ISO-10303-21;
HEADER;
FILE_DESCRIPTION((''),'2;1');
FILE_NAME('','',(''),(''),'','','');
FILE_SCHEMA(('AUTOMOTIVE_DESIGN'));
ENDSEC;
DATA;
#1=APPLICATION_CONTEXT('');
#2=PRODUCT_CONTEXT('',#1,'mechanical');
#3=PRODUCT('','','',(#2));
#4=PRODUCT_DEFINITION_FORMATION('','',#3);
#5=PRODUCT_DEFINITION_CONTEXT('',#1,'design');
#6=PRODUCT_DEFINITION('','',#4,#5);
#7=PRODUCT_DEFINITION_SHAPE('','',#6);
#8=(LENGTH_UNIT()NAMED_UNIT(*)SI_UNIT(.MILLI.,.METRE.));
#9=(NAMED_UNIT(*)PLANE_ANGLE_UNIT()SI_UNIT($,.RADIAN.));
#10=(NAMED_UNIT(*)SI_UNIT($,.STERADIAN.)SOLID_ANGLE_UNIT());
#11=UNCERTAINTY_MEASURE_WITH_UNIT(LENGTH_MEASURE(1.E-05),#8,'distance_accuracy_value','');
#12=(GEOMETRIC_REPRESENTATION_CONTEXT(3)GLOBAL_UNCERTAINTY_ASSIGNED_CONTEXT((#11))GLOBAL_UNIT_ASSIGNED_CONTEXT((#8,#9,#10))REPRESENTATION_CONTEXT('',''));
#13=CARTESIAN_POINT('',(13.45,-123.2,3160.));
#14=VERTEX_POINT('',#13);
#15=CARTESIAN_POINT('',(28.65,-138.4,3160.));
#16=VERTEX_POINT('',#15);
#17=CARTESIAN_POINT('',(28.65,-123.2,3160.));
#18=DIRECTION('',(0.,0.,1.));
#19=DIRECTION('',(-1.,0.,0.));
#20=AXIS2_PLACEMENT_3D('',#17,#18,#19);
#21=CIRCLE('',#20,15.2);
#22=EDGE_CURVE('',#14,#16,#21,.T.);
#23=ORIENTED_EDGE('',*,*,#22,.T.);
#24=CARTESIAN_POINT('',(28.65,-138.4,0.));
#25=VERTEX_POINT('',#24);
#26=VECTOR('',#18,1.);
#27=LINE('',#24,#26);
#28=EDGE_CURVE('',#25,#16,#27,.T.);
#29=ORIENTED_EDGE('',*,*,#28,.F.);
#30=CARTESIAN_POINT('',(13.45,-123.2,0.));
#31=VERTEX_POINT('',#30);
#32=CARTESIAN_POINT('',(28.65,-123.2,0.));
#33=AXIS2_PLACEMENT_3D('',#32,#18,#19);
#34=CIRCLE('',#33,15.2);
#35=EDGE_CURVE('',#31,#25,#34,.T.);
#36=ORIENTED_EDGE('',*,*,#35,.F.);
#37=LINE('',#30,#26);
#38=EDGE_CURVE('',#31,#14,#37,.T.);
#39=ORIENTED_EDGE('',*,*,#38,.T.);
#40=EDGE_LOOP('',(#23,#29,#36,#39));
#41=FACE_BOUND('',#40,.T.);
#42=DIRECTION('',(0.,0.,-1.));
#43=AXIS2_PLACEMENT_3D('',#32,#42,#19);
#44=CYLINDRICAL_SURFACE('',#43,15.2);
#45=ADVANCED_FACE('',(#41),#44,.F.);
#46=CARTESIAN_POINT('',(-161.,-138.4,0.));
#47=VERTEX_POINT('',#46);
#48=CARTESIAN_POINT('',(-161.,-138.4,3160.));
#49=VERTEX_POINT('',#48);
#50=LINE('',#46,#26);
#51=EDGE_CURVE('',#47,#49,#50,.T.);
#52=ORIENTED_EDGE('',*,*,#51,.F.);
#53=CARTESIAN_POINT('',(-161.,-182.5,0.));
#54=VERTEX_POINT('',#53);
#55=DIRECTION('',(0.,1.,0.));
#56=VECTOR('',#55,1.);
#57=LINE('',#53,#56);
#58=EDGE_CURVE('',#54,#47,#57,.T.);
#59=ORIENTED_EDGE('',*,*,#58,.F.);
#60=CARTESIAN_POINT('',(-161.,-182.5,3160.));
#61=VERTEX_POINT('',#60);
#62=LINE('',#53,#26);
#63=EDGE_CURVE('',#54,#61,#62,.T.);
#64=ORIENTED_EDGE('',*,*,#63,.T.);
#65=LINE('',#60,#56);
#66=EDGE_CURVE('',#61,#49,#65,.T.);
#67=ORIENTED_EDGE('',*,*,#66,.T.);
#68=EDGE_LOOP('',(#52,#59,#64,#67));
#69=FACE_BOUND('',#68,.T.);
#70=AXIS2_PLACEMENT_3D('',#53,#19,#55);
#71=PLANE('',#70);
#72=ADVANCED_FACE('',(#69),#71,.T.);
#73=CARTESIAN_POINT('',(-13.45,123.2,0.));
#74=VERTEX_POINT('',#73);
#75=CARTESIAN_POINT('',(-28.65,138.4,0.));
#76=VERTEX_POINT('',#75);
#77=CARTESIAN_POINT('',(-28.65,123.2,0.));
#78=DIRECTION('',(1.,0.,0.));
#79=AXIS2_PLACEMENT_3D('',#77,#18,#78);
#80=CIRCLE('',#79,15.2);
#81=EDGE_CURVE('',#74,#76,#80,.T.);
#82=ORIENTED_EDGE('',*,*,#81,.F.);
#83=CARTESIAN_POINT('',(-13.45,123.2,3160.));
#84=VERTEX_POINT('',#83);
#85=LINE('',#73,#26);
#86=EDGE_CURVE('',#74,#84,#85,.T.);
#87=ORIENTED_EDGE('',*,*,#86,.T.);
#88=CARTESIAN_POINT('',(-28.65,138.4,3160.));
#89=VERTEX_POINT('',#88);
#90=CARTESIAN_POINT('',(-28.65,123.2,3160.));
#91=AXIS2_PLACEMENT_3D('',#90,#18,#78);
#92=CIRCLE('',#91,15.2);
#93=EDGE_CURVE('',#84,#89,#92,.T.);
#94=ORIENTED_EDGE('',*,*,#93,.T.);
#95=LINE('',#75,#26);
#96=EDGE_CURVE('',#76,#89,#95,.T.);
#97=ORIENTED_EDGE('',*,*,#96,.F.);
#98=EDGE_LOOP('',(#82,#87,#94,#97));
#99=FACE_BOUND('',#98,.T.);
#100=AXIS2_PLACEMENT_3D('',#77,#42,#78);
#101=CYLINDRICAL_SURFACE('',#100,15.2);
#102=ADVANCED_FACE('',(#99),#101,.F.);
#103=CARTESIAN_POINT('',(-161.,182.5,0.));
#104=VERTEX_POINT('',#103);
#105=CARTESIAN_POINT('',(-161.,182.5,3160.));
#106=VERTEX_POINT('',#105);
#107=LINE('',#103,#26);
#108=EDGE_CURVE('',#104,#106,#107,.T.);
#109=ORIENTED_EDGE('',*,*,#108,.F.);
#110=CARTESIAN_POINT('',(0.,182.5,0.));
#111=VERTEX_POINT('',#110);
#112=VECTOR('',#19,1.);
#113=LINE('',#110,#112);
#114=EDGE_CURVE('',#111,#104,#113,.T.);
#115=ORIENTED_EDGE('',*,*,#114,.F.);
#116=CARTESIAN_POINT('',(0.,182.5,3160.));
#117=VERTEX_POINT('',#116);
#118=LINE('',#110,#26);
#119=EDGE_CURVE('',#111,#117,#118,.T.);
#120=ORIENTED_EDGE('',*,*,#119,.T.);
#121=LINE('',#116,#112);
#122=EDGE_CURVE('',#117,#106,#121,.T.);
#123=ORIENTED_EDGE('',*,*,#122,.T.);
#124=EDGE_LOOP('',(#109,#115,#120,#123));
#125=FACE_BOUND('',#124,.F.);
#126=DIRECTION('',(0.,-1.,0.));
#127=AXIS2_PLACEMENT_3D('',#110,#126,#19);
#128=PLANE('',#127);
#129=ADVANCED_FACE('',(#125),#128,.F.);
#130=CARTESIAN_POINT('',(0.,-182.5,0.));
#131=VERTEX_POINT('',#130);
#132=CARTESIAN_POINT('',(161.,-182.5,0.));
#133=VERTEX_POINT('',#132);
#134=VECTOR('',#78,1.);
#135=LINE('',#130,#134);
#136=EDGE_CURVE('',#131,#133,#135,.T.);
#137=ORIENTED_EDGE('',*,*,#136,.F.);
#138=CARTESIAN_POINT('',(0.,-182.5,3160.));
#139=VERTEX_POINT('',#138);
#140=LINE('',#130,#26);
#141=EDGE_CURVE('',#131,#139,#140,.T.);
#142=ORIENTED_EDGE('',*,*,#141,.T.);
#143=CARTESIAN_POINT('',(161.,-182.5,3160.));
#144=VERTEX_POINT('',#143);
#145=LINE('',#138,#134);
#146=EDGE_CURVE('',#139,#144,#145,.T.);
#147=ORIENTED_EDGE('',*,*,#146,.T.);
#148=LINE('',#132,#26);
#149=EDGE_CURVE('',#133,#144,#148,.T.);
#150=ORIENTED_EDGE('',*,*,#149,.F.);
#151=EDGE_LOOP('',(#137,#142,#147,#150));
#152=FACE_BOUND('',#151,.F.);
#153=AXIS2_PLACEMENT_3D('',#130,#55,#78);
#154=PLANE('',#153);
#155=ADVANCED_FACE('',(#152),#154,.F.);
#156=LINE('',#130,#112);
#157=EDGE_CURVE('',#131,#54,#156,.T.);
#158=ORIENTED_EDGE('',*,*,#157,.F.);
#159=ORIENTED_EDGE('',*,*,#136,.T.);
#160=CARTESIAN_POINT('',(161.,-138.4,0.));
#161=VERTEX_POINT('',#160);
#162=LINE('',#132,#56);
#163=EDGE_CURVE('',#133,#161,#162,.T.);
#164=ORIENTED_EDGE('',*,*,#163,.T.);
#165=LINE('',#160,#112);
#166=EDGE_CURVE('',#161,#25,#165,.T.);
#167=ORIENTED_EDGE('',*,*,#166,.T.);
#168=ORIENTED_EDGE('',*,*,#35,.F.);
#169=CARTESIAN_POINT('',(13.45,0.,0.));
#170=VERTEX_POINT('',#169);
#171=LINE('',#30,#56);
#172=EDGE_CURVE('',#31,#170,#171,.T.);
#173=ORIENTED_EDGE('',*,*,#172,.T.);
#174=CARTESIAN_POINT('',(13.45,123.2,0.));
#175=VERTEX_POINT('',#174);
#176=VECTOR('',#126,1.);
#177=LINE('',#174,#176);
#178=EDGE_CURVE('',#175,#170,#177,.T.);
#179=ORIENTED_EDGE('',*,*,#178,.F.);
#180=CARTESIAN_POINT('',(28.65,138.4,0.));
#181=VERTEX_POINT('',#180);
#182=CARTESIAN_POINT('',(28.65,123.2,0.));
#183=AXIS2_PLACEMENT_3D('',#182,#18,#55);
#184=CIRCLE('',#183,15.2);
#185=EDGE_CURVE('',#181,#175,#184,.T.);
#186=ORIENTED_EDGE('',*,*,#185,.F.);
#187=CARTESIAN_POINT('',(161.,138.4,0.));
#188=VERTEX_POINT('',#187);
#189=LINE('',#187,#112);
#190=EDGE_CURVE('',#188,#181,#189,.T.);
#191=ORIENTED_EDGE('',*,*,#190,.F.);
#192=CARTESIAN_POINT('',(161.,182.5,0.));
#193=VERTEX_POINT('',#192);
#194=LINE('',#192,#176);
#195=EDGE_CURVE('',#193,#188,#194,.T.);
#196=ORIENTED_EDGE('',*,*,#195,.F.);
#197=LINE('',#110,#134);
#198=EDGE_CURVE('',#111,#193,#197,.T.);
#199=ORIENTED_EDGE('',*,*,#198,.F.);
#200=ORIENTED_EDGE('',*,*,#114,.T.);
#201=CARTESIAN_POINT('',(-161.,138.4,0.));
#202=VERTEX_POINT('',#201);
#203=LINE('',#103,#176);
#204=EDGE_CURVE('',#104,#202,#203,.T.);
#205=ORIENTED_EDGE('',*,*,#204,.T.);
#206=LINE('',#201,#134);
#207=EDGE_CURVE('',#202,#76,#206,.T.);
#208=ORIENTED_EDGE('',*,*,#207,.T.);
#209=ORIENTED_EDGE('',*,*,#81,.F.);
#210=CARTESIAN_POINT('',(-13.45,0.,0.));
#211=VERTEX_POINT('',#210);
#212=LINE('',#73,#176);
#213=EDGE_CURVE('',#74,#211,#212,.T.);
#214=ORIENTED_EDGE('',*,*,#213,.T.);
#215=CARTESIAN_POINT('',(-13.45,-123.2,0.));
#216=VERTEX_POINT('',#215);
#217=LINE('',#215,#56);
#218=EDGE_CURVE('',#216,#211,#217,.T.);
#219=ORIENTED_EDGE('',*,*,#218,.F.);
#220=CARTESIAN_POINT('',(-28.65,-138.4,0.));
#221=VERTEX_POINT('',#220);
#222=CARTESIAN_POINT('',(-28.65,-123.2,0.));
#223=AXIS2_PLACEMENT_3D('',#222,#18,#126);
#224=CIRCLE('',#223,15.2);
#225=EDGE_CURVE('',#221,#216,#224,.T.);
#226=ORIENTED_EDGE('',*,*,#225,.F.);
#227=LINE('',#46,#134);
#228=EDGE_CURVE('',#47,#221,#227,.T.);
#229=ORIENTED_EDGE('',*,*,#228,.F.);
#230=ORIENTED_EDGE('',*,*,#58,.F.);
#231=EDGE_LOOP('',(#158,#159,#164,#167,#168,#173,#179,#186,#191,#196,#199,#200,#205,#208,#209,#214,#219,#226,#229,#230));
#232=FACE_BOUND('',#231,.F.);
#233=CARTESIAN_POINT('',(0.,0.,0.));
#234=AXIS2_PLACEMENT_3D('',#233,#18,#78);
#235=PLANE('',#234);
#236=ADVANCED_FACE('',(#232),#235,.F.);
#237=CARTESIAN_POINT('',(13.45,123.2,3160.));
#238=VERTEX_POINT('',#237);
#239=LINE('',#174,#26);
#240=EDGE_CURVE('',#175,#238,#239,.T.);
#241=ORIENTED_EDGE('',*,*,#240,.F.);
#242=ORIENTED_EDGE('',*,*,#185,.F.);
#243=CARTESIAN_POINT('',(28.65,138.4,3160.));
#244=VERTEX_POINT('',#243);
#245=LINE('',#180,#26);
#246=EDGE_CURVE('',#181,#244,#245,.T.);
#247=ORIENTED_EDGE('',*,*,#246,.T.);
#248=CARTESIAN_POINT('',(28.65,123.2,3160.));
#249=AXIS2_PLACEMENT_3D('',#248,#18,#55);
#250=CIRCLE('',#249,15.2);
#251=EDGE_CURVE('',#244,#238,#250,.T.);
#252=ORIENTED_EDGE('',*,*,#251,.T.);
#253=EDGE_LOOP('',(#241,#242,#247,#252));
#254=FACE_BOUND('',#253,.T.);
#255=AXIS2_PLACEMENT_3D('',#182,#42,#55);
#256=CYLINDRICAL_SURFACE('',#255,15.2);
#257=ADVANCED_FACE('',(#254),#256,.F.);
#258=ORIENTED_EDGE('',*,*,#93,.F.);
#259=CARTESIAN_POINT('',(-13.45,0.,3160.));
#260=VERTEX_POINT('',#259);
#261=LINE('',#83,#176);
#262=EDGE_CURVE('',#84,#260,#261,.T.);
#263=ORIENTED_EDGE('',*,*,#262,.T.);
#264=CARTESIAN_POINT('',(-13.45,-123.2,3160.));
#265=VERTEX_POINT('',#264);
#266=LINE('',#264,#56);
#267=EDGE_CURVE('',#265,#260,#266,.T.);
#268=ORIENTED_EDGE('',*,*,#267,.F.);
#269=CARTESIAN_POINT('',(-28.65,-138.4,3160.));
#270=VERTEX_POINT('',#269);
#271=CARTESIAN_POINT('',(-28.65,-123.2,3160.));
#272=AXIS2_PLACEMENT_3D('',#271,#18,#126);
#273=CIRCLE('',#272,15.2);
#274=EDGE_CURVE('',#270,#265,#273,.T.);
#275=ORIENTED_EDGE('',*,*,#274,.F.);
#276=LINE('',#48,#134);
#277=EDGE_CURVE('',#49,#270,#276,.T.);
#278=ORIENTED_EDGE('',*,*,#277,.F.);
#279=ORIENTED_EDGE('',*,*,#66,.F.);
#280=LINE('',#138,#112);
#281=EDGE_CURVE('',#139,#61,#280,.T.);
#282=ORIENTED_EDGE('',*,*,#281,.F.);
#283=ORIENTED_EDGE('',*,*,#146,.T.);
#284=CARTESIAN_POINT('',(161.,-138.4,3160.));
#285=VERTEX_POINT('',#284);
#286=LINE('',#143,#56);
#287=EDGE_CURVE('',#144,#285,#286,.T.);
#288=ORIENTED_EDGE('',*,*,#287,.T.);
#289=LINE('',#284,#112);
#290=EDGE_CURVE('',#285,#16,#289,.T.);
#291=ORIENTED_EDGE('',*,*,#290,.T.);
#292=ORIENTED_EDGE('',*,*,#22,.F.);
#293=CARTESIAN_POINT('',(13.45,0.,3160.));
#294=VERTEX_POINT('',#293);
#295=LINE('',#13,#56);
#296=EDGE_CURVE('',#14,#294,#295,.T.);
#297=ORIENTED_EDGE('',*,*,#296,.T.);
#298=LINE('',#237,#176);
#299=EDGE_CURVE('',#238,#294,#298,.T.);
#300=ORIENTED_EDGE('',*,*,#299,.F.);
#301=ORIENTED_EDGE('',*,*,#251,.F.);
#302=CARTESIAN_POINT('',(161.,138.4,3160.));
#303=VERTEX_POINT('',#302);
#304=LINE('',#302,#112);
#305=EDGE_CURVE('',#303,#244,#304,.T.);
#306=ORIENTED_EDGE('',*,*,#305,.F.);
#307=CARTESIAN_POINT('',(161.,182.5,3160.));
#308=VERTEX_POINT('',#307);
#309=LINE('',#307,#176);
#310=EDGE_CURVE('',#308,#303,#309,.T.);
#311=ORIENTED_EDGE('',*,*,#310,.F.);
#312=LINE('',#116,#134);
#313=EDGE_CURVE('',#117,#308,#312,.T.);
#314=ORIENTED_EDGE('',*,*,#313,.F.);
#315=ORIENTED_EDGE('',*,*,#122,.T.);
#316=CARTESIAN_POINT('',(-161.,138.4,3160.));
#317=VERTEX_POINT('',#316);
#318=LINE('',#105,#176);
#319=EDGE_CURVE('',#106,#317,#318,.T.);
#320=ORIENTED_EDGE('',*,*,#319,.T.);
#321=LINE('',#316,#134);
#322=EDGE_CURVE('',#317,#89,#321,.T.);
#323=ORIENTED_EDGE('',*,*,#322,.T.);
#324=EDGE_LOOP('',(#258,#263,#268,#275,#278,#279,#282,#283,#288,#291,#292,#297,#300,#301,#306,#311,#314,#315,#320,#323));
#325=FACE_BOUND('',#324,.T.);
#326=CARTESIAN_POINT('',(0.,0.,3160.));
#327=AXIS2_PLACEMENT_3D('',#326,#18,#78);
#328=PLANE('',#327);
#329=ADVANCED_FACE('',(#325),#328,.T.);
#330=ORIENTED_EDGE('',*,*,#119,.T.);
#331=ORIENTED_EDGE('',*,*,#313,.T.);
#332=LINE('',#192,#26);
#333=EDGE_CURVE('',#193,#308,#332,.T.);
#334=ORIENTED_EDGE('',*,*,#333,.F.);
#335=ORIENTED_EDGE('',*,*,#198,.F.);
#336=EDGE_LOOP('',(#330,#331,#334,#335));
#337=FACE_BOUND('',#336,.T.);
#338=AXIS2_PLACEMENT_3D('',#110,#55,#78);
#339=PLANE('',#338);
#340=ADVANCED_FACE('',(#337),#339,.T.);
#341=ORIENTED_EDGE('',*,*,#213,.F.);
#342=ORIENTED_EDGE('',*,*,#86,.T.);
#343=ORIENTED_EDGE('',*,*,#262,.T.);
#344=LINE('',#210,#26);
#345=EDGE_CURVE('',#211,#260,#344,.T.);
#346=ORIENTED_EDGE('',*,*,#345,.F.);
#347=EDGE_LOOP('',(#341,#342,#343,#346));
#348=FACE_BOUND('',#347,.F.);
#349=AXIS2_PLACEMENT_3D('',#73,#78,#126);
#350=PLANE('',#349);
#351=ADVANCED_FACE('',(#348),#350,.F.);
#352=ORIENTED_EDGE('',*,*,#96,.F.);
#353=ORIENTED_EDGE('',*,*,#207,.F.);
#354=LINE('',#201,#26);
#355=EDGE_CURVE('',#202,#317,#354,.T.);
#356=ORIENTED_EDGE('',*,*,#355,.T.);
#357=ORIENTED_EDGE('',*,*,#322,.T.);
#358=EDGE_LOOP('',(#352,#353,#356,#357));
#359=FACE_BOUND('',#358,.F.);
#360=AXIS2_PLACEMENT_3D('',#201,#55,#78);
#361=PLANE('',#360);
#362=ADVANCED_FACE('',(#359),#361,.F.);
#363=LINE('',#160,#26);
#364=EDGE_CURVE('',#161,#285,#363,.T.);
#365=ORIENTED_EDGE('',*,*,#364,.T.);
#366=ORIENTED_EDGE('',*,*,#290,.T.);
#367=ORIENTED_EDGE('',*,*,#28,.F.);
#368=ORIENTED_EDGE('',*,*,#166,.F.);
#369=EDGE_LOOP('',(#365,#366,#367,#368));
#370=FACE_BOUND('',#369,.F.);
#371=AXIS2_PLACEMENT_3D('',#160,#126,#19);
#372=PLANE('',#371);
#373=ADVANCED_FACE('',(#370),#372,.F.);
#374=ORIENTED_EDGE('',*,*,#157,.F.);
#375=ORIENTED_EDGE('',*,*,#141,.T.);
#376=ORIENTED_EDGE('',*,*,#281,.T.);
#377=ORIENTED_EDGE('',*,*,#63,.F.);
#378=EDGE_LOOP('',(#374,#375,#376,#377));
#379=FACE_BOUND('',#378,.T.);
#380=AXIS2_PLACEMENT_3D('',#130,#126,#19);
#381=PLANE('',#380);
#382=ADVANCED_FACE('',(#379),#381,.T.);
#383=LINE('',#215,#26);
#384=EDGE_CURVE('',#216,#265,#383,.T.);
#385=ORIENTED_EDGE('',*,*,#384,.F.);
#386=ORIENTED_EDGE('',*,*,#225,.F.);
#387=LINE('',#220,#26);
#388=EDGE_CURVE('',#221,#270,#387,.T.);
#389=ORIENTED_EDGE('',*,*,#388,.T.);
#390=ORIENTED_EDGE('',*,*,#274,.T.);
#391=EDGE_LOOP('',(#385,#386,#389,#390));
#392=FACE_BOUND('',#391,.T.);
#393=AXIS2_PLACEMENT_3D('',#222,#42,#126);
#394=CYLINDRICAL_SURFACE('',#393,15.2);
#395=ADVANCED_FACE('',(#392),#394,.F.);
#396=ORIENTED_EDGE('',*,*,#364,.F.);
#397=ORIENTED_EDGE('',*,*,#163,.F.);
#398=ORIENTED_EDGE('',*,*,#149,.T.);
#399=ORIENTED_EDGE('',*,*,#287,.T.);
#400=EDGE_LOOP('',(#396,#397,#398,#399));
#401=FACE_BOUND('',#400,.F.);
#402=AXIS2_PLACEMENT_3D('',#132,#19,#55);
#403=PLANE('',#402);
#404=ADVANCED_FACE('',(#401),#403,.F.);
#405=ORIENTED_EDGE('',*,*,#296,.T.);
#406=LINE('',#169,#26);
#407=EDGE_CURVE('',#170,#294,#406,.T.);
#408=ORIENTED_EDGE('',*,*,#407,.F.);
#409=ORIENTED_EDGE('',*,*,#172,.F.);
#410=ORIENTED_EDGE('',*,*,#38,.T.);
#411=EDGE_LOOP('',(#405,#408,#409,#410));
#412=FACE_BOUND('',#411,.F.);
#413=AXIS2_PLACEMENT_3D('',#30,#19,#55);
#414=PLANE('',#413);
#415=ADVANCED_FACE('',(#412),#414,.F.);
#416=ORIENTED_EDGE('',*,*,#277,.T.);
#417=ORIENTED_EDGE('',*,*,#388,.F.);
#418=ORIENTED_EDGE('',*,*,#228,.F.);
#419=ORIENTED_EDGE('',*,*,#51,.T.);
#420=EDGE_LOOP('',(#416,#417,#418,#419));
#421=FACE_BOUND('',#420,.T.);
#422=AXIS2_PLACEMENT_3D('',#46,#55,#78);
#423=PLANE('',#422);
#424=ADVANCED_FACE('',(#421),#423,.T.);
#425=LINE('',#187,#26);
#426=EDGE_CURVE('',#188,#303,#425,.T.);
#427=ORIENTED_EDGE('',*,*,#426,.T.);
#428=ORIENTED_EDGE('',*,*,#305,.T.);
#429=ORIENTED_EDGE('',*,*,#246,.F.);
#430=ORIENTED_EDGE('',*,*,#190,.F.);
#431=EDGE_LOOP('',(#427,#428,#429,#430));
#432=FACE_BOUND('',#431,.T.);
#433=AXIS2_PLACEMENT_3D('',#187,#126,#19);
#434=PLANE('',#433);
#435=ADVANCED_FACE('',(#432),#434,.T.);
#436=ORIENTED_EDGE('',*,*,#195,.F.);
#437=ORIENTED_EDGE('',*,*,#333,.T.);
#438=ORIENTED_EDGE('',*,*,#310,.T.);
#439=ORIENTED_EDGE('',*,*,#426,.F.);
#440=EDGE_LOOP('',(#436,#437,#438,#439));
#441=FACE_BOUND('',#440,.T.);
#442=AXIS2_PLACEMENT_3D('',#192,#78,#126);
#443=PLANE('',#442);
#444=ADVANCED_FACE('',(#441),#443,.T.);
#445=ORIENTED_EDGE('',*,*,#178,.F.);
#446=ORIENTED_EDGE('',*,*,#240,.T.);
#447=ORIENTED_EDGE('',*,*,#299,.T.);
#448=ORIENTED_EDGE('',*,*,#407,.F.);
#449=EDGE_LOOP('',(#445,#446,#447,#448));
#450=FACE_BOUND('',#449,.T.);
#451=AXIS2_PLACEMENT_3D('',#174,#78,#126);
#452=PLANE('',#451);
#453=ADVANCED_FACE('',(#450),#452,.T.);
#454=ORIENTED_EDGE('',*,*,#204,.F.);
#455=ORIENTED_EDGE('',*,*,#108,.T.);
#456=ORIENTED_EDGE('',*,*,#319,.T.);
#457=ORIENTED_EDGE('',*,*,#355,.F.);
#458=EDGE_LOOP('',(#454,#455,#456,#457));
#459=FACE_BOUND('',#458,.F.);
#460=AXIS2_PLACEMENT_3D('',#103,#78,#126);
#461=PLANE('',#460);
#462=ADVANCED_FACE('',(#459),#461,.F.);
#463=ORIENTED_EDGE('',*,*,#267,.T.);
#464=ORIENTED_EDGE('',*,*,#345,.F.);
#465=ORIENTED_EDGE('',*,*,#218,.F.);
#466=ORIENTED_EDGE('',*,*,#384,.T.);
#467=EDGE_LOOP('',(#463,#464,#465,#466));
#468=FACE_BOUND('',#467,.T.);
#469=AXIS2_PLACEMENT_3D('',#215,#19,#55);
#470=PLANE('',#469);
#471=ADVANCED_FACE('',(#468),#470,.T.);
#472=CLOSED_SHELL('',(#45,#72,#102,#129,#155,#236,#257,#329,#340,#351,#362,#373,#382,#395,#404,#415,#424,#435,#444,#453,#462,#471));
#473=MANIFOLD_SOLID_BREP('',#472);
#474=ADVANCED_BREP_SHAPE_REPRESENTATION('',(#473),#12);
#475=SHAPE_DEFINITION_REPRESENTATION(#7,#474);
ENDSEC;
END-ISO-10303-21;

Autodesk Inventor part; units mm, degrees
ref_plane "YZ Plane" through (0, 0, 0) normal (1, 0, 0) x (0, 1, 0)
ref_plane "Start plane" through (0, 0, 0) normal (0, 0, 1) x (1, 0, 0)
ref_plane "End plane" through (0, 0, 3160) normal (0, 0, 1) x (1, 0, 0)
sketch "Sketch" plane through (0, 0, 0) normal (0, 0, 1) x (1, 0, 0)
  line L0 (-161, -182.5) -> (-161, -138.4)
  line L1 (-161, -138.4) -> (-28.65, -138.4)
  line L2 (-13.45, -123.2) -> (-13.45, 0)
  line L3 (-13.45, 0) -> (0, 0) construction
  line L4 (0, 0) -> (0, -182.5) construction
  line L5 (0, -182.5) -> (-161, -182.5)
  line L6 (-60, 0) -> (80, 0) construction
  line L7 (0, -60) -> (0, 80) construction
  line L8 (161, -182.5) -> (161, -138.4)
  line L9 (161, -138.4) -> (28.65, -138.4)
  line L10 (13.45, -123.2) -> (13.45, 0)
  line L11 (13.45, 0) -> (0, 0) construction
  line L12 (0, -182.5) -> (161, -182.5)
  line L13 (-161, 182.5) -> (-161, 138.4)
  line L14 (-161, 138.4) -> (-28.65, 138.4)
  line L15 (-13.45, 123.2) -> (-13.45, 0)
  line L16 (0, 182.5) -> (-161, 182.5)
  line L17 (161, 182.5) -> (161, 138.4)
  line L18 (161, 138.4) -> (28.65, 138.4)
  line L19 (0, 182.5) -> (161, 182.5)
  line L20 (13.45, 123.2) -> (13.45, 0)
  arc A0 (-13.45, 123.2) -> (-28.65, 138.4) centre (-28.65, 123.2) ccw
  arc A1 (28.65, 138.4) -> (13.45, 123.2) centre (28.65, 123.2) ccw
  arc A2 (13.45, -123.2) -> (28.65, -138.4) centre (28.65, -123.2) ccw
  arc A3 (-28.65, -138.4) -> (-13.45, -123.2) centre (-28.65, -123.2) ccw
  line L21 (0, 108) -> (0, -88) construction
  line L22 (-88, 0) -> (108, 0) construction
  point P0 (-13.45, -138.4)
  point P1 (13.45, -138.4)
  point P2 (-13.45, 138.4)
  point P3 (13.45, 138.4)
  dimension "d1" = 182.5
  dimension "d2" = 44.1
  dimension "d3" = 161
  dimension "d4" = 13.45
  dimension "d10" = 15.2
extrude "Body" add sketch "Sketch" along normal up to surface (3160 mm away) from surface at 0
sketch "Sketch4" plane through (0, 0, 0) normal (0, 0, 1) x (1, 0, 0)
  line L0 (0, 0) -> (10, 0)
ref_plane "Work Plane3" through (0, 0, 0) normal (0, -1, 0) x (1, 0, 0)
sketch "Sketch5" plane through (0, 0, 0) normal (0, -1, 0) x (1, 0, 0)
  line L0 (-2, 0) -> (12, 0) projected
  line L1 (-2, 3160) -> (12, 3160) projected
  dimension "d14" = 3160
equation "\"d1\" = 0.5 * G_H"
equation "\"d2\" = G_T1"
equation "\"d3\" = 0.5 * G_W"
equation "\"d4\" = 0.5 * G_T"
equation "\"d10\" = G_IR"
equation "\"d5\" = G_L"
equation "\"G_W\" = 322"
equation "\"G_H\" = 365"
equation "\"G_T\" = 26.9"
equation "\"G_T1\" = 44.1"
equation "\"G_IR\" = 15.2"
equation "\"G_L\" = d14"
equation "\"G_OFFSET_START\" = 0"
equation "\"G_OFFSET_END\" = 0"
properties part number "AS 3679 - 310 UC - 283 - 3160" material "Steel, Mild"
